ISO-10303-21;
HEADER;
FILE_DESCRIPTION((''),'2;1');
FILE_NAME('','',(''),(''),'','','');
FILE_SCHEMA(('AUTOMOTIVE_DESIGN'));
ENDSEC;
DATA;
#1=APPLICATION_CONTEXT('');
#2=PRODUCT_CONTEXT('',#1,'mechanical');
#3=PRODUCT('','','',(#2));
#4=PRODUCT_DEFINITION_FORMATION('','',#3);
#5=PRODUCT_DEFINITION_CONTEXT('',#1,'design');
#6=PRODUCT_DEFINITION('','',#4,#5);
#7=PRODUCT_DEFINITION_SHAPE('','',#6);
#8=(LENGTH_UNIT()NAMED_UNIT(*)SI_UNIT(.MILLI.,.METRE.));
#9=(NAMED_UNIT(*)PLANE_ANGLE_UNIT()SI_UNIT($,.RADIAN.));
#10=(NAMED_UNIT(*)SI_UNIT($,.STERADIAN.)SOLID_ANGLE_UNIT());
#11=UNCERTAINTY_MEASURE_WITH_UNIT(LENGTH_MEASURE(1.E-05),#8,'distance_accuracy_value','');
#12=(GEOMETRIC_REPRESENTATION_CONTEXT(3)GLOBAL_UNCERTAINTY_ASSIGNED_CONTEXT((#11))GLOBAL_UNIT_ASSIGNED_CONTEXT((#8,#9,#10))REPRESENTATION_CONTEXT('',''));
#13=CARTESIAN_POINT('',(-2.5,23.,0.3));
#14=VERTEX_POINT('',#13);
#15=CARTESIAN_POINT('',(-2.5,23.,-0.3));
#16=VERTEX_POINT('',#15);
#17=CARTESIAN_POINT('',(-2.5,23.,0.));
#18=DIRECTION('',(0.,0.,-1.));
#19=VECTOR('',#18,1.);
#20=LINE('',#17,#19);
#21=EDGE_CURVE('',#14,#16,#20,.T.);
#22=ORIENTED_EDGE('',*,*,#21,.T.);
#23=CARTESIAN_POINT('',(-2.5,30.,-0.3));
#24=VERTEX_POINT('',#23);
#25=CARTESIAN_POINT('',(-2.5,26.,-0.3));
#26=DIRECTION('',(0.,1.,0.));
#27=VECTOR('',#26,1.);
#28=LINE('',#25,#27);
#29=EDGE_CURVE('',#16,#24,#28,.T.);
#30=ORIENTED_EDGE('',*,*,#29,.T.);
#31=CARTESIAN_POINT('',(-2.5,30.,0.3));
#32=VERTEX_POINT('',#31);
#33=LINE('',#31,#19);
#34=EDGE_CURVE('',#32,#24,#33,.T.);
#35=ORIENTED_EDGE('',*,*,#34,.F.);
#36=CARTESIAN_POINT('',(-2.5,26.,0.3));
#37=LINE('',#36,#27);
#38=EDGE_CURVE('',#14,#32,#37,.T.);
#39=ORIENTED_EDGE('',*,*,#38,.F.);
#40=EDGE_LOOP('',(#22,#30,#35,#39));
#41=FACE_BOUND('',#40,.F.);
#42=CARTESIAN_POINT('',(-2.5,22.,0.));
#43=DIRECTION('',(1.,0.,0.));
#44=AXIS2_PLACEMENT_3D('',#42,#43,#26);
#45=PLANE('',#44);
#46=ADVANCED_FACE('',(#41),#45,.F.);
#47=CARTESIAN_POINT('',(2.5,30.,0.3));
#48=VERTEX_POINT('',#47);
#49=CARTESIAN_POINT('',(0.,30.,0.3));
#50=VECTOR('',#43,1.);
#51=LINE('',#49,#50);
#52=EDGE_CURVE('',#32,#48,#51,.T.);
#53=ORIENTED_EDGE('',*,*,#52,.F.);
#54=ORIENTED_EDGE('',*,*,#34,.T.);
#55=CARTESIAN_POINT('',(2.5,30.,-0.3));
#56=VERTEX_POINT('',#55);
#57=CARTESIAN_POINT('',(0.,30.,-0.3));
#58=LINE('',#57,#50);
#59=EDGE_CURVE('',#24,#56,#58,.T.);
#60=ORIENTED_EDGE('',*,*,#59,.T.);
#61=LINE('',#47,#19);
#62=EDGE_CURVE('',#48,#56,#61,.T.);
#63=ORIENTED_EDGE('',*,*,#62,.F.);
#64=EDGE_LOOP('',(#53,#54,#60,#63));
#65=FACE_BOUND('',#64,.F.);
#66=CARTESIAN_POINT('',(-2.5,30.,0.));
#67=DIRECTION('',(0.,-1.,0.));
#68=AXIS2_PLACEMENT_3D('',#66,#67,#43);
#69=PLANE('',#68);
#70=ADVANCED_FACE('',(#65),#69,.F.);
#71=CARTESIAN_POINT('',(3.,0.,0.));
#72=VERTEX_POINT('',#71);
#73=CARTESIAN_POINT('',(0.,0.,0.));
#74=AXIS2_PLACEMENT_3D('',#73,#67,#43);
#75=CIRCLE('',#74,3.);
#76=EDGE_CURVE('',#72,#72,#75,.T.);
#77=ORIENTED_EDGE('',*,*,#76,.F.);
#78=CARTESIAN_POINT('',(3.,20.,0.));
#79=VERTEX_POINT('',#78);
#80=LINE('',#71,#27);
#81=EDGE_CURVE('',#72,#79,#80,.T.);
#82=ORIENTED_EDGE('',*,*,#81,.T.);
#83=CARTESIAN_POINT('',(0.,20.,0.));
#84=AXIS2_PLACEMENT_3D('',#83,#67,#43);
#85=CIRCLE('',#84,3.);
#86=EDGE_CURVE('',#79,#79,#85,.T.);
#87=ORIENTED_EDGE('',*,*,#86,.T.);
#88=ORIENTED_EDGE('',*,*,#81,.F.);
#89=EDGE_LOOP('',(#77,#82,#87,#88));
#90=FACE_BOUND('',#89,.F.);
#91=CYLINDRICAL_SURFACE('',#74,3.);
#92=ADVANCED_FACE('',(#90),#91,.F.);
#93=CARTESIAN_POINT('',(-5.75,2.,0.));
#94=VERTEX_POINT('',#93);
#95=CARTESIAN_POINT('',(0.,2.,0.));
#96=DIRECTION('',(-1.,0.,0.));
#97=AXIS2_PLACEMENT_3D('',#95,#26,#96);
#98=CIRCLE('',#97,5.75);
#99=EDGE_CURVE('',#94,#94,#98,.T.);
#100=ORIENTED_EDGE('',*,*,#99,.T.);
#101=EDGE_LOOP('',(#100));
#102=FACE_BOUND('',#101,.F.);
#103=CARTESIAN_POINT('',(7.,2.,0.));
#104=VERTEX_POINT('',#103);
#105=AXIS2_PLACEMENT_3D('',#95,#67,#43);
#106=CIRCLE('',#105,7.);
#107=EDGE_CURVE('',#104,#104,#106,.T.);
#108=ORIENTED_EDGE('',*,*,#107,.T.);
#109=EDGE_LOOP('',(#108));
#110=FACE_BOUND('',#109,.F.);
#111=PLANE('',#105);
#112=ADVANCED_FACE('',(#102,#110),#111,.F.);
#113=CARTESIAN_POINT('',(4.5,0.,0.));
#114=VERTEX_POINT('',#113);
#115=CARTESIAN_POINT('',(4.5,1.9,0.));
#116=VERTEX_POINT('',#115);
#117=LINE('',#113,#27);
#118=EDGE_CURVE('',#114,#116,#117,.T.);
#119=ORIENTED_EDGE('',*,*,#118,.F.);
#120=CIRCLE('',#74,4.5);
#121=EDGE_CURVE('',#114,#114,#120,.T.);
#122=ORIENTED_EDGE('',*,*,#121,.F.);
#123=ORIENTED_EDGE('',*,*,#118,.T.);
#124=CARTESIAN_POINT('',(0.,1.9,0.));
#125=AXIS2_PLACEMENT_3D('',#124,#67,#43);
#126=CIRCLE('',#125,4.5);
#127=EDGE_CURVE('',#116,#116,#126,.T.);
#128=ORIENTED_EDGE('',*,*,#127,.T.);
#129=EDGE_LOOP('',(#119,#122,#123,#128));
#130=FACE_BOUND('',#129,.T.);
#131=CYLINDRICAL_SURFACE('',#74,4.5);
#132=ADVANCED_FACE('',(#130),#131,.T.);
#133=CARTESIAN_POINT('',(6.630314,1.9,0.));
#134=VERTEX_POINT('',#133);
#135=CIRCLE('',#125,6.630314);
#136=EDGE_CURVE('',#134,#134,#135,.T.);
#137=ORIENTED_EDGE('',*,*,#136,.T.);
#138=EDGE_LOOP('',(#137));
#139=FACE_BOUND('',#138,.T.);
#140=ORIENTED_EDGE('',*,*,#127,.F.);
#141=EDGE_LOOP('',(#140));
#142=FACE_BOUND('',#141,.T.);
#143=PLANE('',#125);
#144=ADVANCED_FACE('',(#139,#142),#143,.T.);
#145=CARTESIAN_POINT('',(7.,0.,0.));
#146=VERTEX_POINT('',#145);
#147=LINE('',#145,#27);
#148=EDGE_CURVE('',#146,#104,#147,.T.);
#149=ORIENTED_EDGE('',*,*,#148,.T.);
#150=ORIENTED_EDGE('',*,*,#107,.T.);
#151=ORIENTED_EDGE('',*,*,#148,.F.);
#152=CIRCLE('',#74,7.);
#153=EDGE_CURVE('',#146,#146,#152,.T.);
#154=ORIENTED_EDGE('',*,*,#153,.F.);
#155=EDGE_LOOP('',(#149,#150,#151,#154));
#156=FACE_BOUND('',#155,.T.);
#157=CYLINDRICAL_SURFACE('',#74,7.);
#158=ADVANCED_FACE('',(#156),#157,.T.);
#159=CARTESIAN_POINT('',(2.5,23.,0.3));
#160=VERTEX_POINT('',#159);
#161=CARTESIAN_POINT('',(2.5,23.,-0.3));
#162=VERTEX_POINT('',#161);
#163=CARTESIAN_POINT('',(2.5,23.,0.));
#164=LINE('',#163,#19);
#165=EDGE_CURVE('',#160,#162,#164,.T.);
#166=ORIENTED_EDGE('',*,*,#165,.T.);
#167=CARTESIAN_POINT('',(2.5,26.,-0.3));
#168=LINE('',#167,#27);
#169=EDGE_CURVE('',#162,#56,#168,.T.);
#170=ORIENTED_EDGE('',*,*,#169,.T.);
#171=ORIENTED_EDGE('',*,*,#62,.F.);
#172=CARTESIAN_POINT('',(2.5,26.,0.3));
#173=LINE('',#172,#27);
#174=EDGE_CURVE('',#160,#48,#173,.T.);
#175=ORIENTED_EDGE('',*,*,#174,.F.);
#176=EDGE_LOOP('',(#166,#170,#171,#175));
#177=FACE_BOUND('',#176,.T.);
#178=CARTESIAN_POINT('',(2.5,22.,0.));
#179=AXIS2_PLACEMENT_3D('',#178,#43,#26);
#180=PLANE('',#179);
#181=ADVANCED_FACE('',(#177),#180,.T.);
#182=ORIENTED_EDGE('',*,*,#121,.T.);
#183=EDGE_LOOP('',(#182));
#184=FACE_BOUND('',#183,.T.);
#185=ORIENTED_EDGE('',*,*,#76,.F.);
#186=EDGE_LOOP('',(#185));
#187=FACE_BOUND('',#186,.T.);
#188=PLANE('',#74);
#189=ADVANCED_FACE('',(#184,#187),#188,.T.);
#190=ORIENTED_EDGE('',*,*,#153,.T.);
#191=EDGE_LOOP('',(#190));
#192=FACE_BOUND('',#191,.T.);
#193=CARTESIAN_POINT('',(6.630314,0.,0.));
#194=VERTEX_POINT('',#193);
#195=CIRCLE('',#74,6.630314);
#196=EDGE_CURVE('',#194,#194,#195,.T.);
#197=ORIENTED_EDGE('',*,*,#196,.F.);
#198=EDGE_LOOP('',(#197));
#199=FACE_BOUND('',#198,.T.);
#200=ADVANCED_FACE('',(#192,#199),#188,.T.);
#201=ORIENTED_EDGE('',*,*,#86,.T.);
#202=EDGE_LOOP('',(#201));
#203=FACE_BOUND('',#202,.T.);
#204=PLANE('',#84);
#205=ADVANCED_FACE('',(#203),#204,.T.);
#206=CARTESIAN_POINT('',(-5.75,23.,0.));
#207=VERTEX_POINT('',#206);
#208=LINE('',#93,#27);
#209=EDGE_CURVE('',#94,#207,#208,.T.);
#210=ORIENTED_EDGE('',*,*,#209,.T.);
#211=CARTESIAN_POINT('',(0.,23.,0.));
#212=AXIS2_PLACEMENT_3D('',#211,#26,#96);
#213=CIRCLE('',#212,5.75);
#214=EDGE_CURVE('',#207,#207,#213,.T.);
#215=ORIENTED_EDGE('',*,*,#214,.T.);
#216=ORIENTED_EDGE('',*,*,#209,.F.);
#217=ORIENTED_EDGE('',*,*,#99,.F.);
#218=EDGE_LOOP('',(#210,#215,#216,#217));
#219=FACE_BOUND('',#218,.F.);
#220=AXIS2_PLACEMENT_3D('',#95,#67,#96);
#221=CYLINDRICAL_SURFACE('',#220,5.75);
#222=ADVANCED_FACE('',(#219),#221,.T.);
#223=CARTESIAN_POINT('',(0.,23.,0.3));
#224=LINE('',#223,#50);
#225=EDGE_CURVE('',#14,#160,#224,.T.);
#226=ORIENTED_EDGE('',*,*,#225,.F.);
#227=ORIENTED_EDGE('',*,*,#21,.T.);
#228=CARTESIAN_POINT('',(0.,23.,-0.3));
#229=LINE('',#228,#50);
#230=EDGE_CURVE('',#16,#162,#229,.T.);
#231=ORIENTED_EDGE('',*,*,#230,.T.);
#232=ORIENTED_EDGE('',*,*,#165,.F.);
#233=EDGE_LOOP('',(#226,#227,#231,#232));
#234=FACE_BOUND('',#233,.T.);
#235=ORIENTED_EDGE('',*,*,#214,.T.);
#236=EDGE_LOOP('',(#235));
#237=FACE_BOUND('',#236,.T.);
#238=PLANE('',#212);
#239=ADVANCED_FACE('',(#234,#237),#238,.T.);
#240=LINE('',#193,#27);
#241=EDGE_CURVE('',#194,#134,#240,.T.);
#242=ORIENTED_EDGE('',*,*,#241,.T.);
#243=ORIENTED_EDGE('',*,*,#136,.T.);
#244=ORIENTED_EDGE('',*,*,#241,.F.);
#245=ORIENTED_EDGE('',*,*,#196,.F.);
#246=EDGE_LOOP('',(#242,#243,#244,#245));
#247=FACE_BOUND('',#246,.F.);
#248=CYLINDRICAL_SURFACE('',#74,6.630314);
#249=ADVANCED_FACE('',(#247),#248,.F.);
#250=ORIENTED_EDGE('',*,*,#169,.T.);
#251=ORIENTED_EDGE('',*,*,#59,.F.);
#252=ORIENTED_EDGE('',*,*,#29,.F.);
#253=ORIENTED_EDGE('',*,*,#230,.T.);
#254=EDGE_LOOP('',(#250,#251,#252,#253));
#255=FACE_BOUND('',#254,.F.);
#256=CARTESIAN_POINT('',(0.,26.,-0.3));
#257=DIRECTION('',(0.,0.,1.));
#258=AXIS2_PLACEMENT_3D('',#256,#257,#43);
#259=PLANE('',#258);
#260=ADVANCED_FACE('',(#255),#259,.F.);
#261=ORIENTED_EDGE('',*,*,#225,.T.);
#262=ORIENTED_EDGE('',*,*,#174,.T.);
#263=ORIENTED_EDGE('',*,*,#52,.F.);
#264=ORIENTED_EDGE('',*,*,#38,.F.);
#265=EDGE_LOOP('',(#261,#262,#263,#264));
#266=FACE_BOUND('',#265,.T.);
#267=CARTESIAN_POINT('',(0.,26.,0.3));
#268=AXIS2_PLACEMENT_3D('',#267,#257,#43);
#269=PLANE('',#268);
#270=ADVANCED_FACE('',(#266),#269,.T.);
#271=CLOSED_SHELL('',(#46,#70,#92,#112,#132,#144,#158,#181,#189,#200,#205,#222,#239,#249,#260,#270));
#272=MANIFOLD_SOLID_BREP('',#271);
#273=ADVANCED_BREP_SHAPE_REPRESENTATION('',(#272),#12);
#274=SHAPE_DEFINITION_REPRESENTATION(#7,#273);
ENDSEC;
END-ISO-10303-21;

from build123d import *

# Parameters (mm, degrees)
F0_R     = 7
F1_DEPTH = 2
F2_R     = 5.75
F3_DEPTH = 21
F4_R     = 3
F5_DEPTH = 20
F6_R     = 6.6303140267
F6_R_2   = 4.5
F7_DEPTH = 1.9
F8_W     = 5
F8_H     = 8
F9_DEPTH = 0.3


with BuildPart() as f1:
    # F0 (on Front) → F1 (new body)
    with BuildSketch(Plane.XZ):
        Circle(F0_R)
    extrude(amount=-F1_DEPTH)

    # F2 (on face) → F3 (join)
    with BuildSketch(Plane(origin=(0, 2, 0), x_dir=(-1, 0, 0), z_dir=(0, 1, 0))):
        Circle(F2_R)
    extrude(amount=F3_DEPTH)

    # F4 (on face) → F5 (cut)
    with BuildSketch(Plane.XZ):
        Circle(F4_R)
    extrude(amount=-F5_DEPTH, mode=Mode.SUBTRACT)

    # F6 (on face) → F7 (cut)
    with BuildSketch(Plane.XZ):
        Circle(F6_R)
        Circle(F6_R_2, mode=Mode.SUBTRACT)
    extrude(amount=-F7_DEPTH, mode=Mode.SUBTRACT)

    # F8 (on Top) → F9 (join, symmetric)
    with BuildSketch(Plane.XY):
        with Locations((0, 26)):
            Rectangle(F8_W, F8_H)
    extrude(amount=F9_DEPTH, both=True)


solid = f1.part
